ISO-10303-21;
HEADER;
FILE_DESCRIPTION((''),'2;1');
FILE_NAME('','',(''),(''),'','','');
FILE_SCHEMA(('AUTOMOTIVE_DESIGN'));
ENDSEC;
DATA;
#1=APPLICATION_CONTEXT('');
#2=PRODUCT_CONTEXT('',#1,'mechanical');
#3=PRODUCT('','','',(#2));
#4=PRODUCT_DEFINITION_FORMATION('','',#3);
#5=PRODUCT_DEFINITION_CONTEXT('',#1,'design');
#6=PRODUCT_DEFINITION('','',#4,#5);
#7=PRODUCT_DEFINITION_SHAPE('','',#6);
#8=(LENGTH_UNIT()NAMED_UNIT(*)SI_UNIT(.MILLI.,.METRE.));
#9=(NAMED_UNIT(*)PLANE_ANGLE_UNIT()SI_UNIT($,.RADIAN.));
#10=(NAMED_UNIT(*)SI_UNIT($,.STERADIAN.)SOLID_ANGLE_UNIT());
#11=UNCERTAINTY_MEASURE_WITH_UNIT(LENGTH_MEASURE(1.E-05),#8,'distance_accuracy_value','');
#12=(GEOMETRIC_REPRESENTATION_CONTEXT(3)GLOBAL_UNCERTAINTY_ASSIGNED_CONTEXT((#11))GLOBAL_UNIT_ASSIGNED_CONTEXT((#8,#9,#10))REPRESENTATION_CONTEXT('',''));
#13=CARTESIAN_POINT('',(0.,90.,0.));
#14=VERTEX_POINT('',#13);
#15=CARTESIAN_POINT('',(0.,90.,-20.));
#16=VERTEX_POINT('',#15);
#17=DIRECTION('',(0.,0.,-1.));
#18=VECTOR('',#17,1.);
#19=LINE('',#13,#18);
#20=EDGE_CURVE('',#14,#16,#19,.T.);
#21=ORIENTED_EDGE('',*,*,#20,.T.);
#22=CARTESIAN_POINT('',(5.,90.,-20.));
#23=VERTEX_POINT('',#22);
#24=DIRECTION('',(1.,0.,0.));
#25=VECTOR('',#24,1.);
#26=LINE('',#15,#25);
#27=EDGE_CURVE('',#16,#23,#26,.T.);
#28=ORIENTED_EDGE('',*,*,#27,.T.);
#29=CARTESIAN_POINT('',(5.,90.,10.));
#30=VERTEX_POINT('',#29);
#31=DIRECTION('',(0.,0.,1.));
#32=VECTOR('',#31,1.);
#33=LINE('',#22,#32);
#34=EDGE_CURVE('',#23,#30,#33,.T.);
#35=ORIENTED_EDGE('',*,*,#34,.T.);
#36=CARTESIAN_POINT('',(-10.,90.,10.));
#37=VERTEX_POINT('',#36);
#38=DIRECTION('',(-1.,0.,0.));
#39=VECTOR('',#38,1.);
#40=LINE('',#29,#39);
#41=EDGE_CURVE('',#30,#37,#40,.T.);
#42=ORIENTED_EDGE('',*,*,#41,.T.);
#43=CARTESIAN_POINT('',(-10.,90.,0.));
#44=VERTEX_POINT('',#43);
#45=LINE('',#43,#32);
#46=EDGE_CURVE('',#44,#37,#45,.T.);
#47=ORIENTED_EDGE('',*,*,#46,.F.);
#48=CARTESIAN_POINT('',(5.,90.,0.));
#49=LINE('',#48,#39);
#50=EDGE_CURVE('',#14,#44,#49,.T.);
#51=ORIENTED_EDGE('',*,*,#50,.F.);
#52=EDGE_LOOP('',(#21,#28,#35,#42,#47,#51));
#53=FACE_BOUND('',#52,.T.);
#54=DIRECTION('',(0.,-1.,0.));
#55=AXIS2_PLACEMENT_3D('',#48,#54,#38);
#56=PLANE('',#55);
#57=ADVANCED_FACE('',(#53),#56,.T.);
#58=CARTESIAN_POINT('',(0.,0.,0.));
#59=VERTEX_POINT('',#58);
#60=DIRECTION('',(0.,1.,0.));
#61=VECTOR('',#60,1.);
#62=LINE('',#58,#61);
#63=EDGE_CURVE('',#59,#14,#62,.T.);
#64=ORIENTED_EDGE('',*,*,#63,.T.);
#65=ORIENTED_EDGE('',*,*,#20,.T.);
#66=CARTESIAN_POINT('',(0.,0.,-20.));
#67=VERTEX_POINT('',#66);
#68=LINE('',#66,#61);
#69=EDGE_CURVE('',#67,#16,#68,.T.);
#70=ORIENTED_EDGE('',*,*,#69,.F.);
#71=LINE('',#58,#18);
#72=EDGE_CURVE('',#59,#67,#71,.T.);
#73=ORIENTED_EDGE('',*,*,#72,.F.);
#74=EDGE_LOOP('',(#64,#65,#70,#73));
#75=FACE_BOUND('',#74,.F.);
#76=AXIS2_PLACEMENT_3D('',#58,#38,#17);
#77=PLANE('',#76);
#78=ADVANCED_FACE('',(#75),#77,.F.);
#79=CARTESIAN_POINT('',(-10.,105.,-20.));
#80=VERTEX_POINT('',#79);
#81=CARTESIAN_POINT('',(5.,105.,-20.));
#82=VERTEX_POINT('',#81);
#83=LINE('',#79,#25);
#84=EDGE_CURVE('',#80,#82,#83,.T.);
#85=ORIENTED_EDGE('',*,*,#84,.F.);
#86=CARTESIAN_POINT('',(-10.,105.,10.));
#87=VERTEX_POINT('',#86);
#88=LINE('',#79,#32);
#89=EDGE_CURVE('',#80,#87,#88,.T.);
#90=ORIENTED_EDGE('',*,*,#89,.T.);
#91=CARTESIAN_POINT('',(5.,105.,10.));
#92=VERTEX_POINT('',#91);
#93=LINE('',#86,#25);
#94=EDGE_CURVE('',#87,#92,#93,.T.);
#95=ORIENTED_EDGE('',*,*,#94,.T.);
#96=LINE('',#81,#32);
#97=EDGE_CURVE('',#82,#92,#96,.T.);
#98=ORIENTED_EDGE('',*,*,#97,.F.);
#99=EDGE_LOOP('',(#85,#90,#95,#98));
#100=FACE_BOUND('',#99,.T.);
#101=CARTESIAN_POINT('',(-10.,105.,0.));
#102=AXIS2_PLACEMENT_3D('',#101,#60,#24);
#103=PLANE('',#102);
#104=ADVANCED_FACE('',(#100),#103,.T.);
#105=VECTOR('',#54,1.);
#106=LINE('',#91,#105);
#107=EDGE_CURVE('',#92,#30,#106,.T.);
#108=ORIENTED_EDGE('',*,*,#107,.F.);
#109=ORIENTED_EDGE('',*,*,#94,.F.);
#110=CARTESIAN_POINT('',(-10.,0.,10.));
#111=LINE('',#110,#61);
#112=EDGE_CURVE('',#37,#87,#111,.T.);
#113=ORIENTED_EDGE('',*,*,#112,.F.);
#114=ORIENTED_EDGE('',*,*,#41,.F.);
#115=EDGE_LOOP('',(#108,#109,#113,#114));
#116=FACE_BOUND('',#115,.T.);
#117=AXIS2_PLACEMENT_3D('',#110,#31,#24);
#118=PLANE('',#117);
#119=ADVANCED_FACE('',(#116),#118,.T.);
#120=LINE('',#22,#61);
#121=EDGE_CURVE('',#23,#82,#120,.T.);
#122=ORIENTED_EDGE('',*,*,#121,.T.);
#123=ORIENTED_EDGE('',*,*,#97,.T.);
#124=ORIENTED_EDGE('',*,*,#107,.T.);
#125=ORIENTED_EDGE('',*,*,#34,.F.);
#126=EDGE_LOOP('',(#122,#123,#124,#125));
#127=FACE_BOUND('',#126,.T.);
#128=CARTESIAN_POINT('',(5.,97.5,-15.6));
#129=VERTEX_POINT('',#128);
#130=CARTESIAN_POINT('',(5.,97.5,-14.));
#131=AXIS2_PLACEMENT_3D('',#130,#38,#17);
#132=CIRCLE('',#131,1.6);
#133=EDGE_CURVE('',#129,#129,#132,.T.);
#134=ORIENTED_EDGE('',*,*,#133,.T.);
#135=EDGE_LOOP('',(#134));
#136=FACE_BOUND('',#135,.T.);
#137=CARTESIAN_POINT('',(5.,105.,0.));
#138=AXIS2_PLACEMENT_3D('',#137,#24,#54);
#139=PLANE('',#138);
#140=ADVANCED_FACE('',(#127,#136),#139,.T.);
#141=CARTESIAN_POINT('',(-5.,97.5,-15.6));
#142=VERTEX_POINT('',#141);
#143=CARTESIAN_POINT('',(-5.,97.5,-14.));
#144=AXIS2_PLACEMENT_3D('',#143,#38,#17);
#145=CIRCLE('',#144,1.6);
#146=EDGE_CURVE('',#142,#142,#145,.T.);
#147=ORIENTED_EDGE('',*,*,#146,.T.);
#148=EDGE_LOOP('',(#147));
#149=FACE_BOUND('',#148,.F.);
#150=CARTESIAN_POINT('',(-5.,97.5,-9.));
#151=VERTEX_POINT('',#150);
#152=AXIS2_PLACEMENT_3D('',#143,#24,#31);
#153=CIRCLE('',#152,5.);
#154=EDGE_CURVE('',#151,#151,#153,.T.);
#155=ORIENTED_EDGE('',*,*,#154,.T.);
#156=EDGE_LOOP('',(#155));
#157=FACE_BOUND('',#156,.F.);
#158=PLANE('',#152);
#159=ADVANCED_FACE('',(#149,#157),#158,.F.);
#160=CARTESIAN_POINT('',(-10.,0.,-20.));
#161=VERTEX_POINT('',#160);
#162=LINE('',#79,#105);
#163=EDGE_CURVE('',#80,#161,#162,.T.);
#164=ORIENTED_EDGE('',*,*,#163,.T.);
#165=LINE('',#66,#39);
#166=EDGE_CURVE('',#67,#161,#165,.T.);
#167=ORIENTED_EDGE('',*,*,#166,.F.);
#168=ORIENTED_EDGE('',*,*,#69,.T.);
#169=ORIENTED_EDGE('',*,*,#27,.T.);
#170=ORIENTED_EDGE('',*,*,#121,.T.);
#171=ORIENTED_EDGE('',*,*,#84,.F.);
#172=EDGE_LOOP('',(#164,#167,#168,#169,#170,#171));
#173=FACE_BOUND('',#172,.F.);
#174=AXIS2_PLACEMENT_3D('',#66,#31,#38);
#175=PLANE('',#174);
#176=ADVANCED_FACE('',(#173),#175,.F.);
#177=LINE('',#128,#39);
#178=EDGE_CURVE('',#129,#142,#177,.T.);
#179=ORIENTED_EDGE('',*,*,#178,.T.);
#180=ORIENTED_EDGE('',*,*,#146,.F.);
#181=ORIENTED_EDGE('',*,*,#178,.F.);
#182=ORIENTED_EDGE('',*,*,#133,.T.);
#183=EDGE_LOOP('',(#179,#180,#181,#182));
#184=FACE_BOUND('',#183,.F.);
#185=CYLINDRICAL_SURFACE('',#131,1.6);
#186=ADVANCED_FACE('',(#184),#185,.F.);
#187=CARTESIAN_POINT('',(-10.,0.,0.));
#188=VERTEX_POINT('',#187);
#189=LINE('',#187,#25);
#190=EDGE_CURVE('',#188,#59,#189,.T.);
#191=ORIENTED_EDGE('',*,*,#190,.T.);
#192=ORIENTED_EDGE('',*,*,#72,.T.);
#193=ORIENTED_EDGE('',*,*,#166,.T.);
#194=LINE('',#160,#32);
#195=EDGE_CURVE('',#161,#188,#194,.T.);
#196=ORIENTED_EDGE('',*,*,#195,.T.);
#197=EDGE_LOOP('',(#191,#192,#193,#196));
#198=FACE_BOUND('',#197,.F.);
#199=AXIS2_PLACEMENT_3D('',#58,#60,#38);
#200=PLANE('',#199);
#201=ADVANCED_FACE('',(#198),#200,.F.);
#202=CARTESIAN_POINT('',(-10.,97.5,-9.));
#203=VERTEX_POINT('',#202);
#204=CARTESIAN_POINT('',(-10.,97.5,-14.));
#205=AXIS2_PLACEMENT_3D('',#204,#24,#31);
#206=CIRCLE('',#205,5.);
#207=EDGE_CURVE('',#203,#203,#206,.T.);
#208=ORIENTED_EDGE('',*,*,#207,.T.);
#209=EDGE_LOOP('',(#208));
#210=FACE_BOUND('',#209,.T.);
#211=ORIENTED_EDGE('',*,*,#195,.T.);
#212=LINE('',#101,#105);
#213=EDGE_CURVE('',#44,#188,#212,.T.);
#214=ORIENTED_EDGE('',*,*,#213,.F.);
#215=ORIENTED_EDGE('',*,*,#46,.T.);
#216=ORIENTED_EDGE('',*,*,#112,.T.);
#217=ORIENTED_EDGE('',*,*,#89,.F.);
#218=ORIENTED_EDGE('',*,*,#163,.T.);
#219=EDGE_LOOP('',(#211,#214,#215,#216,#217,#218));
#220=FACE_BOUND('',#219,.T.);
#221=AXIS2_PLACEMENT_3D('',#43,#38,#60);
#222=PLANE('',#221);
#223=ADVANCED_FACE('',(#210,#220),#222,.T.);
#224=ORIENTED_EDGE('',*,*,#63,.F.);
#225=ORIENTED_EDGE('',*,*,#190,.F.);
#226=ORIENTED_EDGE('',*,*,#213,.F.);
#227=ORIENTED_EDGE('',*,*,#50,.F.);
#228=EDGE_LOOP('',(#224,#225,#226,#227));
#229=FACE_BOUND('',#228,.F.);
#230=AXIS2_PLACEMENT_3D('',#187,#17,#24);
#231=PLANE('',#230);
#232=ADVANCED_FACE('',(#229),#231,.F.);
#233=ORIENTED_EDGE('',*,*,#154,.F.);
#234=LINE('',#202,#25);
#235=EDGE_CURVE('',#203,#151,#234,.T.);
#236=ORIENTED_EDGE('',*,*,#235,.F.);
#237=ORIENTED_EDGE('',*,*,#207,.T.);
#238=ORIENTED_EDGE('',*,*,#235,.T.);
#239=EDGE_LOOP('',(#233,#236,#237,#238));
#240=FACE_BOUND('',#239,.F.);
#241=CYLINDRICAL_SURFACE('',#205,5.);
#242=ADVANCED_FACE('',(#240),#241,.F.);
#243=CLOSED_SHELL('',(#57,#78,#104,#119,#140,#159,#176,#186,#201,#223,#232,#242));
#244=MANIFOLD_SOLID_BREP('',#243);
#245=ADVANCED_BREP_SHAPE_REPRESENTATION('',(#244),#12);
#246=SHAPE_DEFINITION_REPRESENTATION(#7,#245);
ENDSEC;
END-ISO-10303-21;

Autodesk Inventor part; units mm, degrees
ref_plane "YZ Plane" through (0, 0, 0) normal (1, 0, 0) x (0, 1, 0)
ref_plane "XZ Plane" through (0, 0, 0) normal (0, 1, 0) x (-1, 0, 0)
ref_plane "XY Plane" through (0, 0, 0) normal (0, 0, 1) x (1, 0, 0)
sketch "base" plane through (0, 0, 0) normal (0, 1, 0) x (-1, 0, 0)
  line L0 (0, 0) -> (0, -20)
  line L1 (0, -20) -> (10, -20)
  line L2 (10, -20) -> (10, 0)
  line L3 (10, 0) -> (0, 0)
  dimension "d186" = 20
  dimension "d187" = 10
extrude "Extrusión29" add sketch "base" along normal blind 90
sketch "Boceto41" plane through (0, 90, 0) normal (0, 1, 0) x (1, 0, 0)
  line L0 (0, 20) -> (5, 20)
  line L1 (5, 20) -> (5, 0)
  line L2 (-10, 0) -> (0, 0) projected
  line L3 (5, 0) -> (-10, 0)
  line L4 (-10, 0) -> (-10, 20)
  line L5 (-10, 20) -> (5, 20)
  dimension "d190" = 5
extrude "Extrusión30" add sketch "Boceto41" along normal blind 15
sketch "Boceto42" plane through (-10, 0, 0) normal (0, 0, 1) x (1, 0, 0)
  line L0 (15, 90) -> (10, 90) projected
  line L1 (15, 90) -> (0, 90)
  line L2 (0, 0) -> (0, 105) projected
  line L3 (0, 90) -> (0, 105)
  line L4 (0, 105) -> (15, 105) projected
  line L5 (0, 105) -> (15, 105)
  line L6 (15, 105) -> (15, 90)
  point P0 (10, 0)
extrude "Extrusión31" add sketch "Boceto42" along normal blind 10
sketch "Boceto45" plane through (5, 90, -20) normal (1, 0, 0) x (0, 0, -1)
  line L0 (0, -90) -> (0, 15) projected
  line L1 (0, 0) -> (0, 15)
  line L2 (0, 7.5) -> (-6, 7.5)
  point P0 (-20, -90)
  dimension "d200" = 6
hole "Agujero1" at (5, 97.5, -14) direction (-1, 0, 0) diameter 3.2 end through all
sketch "Boceto51" plane through (-10, 0, -20) normal (-1, 0, 0) x (0, 0, 1)
  circle A0 centre (6, 97.5) radius 1.6 projected
  circle A1 centre (6, 97.5) radius 1.6
  point P0 (20, 0)
hole "Agujero2" at (-10, 97.5, -14) direction (1, 0, 0) diameter 3.2 depth 30 counterbore diameter 10 counterbore depth 5
properties part number "detector curvament fil"
